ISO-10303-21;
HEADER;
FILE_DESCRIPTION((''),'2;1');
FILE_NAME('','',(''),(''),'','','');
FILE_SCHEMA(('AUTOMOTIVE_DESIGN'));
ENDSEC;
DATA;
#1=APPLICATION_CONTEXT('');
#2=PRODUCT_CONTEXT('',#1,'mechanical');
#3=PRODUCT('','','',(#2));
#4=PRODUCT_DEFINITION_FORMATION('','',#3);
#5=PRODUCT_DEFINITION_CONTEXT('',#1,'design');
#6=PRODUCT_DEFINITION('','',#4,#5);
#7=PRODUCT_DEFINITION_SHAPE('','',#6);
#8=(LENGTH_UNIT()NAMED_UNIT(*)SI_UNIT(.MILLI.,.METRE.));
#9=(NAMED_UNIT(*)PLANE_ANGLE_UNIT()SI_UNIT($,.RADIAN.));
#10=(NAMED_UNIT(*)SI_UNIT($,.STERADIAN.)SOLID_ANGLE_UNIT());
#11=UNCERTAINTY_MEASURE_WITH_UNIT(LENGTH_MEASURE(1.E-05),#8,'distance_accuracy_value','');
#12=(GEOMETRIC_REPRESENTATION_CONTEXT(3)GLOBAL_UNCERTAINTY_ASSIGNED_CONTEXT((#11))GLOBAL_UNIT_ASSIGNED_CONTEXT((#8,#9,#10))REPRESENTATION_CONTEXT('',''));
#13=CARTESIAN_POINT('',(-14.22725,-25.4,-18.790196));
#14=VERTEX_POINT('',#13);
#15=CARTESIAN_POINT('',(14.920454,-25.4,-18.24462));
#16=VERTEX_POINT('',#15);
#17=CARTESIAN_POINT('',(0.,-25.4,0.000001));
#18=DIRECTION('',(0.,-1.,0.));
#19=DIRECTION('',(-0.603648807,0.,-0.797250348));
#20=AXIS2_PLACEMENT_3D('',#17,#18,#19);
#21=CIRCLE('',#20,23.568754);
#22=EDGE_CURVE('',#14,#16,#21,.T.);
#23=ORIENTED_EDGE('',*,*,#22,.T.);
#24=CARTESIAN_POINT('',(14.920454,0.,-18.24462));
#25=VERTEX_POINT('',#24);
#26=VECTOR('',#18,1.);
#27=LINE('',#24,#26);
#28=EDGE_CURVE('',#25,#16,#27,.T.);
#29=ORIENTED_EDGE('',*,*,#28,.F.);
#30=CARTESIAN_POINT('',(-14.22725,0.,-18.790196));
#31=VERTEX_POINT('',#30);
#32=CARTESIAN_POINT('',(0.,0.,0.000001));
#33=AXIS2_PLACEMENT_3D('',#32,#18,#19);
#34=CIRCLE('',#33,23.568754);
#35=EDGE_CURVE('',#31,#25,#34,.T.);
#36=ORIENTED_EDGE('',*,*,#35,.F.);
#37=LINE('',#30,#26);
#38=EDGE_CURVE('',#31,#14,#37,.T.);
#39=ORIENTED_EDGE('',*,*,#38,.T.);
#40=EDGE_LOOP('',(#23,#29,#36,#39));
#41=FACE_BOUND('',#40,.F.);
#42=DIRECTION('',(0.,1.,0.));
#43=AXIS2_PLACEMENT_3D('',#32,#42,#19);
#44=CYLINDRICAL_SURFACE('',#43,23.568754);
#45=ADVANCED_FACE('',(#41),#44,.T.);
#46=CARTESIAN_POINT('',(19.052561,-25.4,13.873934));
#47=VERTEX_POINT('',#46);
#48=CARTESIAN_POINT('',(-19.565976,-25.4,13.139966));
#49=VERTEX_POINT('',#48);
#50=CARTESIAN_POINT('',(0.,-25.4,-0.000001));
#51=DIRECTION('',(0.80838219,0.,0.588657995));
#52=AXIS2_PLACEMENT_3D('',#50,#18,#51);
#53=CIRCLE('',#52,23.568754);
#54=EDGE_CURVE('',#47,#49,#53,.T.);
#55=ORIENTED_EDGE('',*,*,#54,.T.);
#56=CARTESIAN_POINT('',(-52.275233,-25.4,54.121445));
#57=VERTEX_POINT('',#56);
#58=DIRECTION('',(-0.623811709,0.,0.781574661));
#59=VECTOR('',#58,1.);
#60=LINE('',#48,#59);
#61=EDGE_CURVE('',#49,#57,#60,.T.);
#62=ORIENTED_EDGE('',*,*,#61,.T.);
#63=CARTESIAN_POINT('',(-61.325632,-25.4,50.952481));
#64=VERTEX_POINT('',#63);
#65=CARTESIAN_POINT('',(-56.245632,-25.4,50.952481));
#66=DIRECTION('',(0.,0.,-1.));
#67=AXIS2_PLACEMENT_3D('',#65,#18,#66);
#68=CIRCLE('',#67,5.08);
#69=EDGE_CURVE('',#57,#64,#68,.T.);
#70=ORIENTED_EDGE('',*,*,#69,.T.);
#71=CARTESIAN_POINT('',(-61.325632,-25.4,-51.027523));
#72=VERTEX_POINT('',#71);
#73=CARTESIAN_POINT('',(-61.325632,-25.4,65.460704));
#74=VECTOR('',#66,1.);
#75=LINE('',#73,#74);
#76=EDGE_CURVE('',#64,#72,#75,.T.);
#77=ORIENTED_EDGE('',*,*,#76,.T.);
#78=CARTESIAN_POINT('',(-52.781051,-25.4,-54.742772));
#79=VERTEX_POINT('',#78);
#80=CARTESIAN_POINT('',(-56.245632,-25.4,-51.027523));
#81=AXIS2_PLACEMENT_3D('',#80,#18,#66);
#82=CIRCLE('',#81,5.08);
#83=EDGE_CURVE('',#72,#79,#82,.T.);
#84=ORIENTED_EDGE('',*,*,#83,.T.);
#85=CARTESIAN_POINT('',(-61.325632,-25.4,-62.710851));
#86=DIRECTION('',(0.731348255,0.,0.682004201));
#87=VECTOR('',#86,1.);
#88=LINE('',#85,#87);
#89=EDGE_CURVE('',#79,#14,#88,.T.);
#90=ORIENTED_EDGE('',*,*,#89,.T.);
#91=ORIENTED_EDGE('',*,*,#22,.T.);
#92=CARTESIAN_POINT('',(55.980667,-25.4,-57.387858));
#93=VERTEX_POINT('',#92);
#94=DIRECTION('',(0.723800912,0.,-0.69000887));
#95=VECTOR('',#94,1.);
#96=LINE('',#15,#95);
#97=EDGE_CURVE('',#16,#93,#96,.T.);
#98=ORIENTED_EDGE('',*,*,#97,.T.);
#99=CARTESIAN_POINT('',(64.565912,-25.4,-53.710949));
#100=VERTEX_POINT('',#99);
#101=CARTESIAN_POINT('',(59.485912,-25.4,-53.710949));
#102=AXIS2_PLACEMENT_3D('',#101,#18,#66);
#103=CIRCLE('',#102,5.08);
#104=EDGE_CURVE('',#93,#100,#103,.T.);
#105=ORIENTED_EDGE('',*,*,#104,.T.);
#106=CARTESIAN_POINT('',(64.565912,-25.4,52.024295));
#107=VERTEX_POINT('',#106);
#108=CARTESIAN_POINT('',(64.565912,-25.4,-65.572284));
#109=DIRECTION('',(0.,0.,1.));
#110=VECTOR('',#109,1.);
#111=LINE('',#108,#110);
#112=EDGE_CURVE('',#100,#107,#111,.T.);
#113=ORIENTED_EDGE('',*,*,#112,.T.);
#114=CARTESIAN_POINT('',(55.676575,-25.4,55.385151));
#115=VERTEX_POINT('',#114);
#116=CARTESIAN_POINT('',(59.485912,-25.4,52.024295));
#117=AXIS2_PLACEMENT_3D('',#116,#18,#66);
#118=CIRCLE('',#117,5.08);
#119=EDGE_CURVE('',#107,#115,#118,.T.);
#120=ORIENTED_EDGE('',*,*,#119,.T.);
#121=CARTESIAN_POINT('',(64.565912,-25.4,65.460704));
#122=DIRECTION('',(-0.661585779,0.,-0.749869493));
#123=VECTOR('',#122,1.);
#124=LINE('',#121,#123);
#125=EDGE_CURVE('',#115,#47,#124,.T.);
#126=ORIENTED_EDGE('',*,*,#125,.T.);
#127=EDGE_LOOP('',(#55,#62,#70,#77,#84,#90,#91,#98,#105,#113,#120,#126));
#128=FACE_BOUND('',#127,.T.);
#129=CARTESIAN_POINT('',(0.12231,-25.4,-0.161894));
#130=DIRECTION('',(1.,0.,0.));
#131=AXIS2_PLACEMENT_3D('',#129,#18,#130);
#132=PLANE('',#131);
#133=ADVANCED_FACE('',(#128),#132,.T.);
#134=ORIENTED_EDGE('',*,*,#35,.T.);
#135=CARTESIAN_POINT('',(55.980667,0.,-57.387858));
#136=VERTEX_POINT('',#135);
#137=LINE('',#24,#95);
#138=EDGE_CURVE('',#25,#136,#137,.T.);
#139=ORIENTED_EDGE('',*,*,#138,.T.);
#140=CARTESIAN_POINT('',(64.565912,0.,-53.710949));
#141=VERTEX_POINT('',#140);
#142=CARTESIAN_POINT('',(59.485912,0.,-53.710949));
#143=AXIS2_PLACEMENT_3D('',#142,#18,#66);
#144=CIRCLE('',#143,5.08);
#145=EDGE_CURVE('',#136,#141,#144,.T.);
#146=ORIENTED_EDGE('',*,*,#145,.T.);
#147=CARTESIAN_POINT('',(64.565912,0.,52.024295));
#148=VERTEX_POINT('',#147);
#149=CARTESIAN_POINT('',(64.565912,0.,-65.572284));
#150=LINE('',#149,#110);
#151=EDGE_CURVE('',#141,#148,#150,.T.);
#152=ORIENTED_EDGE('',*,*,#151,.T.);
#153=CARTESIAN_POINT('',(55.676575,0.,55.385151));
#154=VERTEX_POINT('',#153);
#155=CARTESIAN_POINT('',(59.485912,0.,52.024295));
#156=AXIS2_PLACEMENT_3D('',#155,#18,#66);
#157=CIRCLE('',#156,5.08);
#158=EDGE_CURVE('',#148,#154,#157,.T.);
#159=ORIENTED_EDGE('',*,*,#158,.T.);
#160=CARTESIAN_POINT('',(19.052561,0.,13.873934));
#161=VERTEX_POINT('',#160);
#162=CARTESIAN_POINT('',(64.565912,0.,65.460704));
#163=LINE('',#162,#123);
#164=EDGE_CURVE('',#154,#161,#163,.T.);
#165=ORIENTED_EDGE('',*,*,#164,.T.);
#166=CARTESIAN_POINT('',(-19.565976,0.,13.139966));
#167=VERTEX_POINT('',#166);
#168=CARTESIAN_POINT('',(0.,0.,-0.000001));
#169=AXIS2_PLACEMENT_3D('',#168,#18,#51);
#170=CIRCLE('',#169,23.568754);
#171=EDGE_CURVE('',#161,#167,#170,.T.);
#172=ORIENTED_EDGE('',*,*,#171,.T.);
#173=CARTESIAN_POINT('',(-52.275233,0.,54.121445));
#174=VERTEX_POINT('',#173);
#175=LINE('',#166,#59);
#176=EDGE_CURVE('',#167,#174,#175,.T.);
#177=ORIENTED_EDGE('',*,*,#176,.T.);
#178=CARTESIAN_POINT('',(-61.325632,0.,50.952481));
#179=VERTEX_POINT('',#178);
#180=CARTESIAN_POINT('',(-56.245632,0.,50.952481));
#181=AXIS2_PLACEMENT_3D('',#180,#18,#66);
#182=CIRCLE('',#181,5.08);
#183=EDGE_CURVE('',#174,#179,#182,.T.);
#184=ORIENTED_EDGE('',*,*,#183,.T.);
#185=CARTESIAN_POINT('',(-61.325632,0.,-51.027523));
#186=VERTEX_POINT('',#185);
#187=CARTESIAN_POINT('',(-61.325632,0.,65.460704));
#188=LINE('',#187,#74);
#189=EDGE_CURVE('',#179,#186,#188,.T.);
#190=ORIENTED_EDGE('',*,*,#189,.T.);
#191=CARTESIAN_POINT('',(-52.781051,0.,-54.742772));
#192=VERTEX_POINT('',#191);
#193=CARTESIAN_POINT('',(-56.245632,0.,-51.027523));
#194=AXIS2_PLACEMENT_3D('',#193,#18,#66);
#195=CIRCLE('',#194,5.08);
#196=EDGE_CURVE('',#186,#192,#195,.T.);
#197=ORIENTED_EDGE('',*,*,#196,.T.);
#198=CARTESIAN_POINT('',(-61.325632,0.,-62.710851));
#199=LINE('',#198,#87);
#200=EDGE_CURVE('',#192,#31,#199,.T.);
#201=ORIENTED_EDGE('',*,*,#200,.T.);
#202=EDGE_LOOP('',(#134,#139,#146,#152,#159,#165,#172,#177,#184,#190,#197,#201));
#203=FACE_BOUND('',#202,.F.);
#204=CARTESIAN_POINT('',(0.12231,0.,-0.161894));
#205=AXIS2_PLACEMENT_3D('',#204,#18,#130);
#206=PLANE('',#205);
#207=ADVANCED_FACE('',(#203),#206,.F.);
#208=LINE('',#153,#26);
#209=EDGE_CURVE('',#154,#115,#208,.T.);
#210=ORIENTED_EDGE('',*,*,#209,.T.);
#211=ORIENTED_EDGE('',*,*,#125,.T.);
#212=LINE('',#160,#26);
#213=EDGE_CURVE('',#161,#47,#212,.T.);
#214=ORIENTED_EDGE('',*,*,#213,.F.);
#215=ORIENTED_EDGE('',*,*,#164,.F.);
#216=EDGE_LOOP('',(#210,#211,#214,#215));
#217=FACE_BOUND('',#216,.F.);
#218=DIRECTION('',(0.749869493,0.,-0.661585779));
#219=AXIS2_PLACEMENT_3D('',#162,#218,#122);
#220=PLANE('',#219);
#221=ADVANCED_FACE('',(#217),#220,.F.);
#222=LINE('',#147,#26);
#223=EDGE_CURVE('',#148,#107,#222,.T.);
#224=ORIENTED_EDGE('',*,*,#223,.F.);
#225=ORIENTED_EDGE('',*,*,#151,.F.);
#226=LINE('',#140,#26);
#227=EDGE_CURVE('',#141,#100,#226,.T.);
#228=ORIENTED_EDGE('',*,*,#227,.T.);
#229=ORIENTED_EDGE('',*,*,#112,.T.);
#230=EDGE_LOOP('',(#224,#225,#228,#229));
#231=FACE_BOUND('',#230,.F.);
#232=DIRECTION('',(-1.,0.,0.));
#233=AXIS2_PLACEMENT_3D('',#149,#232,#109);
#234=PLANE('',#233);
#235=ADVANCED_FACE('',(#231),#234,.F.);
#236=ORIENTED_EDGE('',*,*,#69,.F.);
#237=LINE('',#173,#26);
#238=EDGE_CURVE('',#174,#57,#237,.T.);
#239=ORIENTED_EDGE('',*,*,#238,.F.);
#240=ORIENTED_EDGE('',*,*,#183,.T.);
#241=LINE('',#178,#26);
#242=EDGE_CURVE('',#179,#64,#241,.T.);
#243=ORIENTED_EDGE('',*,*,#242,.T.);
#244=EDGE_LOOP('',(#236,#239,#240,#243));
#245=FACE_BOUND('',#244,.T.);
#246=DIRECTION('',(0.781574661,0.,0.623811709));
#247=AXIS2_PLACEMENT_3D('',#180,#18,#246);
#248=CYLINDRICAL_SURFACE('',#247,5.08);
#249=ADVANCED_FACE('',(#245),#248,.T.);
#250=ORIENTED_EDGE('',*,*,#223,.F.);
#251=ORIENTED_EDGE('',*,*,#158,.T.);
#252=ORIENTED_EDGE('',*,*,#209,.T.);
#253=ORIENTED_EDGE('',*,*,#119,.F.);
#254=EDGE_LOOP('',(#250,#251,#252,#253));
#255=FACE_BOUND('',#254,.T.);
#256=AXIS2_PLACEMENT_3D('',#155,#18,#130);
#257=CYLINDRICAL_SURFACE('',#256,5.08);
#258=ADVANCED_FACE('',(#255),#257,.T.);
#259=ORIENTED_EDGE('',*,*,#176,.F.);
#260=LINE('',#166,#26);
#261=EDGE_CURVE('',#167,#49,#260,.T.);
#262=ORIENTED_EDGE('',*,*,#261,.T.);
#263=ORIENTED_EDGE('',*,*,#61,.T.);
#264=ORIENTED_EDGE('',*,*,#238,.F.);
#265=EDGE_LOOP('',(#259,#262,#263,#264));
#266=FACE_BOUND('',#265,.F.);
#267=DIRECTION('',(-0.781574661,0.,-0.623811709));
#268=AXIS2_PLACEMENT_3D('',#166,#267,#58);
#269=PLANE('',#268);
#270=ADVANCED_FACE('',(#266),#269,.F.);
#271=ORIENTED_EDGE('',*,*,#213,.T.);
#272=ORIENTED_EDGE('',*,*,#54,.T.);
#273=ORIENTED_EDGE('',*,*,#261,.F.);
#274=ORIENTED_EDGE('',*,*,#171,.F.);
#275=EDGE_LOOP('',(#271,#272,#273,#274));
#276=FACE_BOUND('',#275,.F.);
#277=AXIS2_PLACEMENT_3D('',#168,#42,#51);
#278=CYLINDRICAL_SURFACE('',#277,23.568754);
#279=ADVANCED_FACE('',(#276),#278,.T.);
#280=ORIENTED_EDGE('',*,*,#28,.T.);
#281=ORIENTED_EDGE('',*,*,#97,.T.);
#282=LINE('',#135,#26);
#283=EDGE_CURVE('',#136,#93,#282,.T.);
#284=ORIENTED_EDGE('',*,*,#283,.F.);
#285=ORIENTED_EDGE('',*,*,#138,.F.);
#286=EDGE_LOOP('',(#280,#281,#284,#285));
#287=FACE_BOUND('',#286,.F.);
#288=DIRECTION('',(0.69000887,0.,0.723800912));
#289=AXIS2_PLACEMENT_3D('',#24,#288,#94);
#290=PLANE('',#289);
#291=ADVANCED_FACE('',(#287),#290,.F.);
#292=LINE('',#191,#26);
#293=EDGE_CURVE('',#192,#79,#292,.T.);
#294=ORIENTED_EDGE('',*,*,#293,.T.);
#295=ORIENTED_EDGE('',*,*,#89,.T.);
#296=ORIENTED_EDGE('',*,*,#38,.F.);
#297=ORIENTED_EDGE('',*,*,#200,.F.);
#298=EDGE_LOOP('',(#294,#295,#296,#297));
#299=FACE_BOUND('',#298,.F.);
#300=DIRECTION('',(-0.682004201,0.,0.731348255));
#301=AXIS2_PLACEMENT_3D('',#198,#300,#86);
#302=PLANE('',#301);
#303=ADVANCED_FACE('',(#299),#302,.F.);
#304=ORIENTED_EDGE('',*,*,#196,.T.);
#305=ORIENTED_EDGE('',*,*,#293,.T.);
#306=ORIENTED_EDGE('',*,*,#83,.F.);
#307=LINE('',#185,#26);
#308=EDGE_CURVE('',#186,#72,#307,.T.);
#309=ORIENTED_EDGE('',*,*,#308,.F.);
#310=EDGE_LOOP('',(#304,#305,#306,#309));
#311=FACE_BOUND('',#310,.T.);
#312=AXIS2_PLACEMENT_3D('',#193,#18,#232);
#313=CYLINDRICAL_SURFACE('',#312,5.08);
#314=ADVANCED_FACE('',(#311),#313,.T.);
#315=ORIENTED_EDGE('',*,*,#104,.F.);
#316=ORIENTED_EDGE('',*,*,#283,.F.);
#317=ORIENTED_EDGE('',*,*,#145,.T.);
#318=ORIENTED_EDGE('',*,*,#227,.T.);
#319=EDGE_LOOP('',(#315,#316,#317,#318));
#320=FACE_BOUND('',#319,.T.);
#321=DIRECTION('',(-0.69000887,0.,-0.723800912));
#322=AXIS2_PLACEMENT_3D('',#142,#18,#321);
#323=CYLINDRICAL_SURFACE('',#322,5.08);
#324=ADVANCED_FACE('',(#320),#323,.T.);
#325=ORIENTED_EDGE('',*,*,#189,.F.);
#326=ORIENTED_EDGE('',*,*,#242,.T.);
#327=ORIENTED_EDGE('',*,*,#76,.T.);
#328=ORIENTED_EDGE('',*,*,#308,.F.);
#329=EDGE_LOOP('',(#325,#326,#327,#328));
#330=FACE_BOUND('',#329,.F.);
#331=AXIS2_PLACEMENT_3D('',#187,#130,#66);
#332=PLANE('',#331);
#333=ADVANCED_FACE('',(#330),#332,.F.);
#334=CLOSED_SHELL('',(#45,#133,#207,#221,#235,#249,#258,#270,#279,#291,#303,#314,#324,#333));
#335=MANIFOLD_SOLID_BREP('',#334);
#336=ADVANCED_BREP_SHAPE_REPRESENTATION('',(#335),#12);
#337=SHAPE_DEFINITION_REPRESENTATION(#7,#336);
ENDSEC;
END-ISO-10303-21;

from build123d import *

# Parameters (mm, degrees)
F1_DEPTH = 25.4
F2_R     = 5.08


with BuildPart() as f1:
    # F0 (on Front) → F1 (new body)
    with BuildSketch(Plane.XZ):
        with BuildLine():
            ThreePointArc((14.920454, -18.24462), (21.297213, -10.095287), (23.568753, 0))
            ThreePointArc((23.568753, 0), (22.411283, 7.295239), (19.052561, 13.873934))
            ThreePointArc((19.052561, 13.873934), (-0.447857, 23.564497), (-19.565976, 13.139966))
            ThreePointArc((-19.565976, 13.139966), (-23.246061, -3.886743), (-14.22725, -18.790196))
            ThreePointArc((-14.22725, -18.790196), (0.441074, -23.564625), (14.920454, -18.24462))
        make_face()
        with BuildLine():
            ThreePointArc((19.052561, 13.873934), (22.411283, 7.295239), (23.568753, 0))
            ThreePointArc((23.568753, 0), (21.297213, -10.095287), (14.920454, -18.24462))
            Line((14.920454, -18.24462), (64.565912, -65.572284))
            Line((64.565912, -65.572284), (64.565912, 65.460704))
            Line((64.565912, 65.460704), (19.052561, 13.873934))
        make_face()
        with BuildLine():
            ThreePointArc((-14.22725, -18.790196), (-23.246061, -3.886743), (-19.565976, 13.139966))
            Line((-19.565976, 13.139966), (-61.325632, 65.460704))
            Line((-61.325632, 65.460704), (-61.325632, -62.710851))
            Line((-61.325632, -62.710851), (-14.22725, -18.790196))
        make_face()
    extrude(amount=F1_DEPTH)

    # F2
    f2_edges = [f1.edges().sort_by_distance(p)[0] for p in [
        (-61.325632, -12.7, 65.460704),
        (64.565912, -12.7, 65.460704),
        (64.565912, -12.7, -65.572284),
        (-61.325632, -12.7, -62.710851),
    ]]
    fillet(f2_edges, radius=F2_R)


solid = f1.part
